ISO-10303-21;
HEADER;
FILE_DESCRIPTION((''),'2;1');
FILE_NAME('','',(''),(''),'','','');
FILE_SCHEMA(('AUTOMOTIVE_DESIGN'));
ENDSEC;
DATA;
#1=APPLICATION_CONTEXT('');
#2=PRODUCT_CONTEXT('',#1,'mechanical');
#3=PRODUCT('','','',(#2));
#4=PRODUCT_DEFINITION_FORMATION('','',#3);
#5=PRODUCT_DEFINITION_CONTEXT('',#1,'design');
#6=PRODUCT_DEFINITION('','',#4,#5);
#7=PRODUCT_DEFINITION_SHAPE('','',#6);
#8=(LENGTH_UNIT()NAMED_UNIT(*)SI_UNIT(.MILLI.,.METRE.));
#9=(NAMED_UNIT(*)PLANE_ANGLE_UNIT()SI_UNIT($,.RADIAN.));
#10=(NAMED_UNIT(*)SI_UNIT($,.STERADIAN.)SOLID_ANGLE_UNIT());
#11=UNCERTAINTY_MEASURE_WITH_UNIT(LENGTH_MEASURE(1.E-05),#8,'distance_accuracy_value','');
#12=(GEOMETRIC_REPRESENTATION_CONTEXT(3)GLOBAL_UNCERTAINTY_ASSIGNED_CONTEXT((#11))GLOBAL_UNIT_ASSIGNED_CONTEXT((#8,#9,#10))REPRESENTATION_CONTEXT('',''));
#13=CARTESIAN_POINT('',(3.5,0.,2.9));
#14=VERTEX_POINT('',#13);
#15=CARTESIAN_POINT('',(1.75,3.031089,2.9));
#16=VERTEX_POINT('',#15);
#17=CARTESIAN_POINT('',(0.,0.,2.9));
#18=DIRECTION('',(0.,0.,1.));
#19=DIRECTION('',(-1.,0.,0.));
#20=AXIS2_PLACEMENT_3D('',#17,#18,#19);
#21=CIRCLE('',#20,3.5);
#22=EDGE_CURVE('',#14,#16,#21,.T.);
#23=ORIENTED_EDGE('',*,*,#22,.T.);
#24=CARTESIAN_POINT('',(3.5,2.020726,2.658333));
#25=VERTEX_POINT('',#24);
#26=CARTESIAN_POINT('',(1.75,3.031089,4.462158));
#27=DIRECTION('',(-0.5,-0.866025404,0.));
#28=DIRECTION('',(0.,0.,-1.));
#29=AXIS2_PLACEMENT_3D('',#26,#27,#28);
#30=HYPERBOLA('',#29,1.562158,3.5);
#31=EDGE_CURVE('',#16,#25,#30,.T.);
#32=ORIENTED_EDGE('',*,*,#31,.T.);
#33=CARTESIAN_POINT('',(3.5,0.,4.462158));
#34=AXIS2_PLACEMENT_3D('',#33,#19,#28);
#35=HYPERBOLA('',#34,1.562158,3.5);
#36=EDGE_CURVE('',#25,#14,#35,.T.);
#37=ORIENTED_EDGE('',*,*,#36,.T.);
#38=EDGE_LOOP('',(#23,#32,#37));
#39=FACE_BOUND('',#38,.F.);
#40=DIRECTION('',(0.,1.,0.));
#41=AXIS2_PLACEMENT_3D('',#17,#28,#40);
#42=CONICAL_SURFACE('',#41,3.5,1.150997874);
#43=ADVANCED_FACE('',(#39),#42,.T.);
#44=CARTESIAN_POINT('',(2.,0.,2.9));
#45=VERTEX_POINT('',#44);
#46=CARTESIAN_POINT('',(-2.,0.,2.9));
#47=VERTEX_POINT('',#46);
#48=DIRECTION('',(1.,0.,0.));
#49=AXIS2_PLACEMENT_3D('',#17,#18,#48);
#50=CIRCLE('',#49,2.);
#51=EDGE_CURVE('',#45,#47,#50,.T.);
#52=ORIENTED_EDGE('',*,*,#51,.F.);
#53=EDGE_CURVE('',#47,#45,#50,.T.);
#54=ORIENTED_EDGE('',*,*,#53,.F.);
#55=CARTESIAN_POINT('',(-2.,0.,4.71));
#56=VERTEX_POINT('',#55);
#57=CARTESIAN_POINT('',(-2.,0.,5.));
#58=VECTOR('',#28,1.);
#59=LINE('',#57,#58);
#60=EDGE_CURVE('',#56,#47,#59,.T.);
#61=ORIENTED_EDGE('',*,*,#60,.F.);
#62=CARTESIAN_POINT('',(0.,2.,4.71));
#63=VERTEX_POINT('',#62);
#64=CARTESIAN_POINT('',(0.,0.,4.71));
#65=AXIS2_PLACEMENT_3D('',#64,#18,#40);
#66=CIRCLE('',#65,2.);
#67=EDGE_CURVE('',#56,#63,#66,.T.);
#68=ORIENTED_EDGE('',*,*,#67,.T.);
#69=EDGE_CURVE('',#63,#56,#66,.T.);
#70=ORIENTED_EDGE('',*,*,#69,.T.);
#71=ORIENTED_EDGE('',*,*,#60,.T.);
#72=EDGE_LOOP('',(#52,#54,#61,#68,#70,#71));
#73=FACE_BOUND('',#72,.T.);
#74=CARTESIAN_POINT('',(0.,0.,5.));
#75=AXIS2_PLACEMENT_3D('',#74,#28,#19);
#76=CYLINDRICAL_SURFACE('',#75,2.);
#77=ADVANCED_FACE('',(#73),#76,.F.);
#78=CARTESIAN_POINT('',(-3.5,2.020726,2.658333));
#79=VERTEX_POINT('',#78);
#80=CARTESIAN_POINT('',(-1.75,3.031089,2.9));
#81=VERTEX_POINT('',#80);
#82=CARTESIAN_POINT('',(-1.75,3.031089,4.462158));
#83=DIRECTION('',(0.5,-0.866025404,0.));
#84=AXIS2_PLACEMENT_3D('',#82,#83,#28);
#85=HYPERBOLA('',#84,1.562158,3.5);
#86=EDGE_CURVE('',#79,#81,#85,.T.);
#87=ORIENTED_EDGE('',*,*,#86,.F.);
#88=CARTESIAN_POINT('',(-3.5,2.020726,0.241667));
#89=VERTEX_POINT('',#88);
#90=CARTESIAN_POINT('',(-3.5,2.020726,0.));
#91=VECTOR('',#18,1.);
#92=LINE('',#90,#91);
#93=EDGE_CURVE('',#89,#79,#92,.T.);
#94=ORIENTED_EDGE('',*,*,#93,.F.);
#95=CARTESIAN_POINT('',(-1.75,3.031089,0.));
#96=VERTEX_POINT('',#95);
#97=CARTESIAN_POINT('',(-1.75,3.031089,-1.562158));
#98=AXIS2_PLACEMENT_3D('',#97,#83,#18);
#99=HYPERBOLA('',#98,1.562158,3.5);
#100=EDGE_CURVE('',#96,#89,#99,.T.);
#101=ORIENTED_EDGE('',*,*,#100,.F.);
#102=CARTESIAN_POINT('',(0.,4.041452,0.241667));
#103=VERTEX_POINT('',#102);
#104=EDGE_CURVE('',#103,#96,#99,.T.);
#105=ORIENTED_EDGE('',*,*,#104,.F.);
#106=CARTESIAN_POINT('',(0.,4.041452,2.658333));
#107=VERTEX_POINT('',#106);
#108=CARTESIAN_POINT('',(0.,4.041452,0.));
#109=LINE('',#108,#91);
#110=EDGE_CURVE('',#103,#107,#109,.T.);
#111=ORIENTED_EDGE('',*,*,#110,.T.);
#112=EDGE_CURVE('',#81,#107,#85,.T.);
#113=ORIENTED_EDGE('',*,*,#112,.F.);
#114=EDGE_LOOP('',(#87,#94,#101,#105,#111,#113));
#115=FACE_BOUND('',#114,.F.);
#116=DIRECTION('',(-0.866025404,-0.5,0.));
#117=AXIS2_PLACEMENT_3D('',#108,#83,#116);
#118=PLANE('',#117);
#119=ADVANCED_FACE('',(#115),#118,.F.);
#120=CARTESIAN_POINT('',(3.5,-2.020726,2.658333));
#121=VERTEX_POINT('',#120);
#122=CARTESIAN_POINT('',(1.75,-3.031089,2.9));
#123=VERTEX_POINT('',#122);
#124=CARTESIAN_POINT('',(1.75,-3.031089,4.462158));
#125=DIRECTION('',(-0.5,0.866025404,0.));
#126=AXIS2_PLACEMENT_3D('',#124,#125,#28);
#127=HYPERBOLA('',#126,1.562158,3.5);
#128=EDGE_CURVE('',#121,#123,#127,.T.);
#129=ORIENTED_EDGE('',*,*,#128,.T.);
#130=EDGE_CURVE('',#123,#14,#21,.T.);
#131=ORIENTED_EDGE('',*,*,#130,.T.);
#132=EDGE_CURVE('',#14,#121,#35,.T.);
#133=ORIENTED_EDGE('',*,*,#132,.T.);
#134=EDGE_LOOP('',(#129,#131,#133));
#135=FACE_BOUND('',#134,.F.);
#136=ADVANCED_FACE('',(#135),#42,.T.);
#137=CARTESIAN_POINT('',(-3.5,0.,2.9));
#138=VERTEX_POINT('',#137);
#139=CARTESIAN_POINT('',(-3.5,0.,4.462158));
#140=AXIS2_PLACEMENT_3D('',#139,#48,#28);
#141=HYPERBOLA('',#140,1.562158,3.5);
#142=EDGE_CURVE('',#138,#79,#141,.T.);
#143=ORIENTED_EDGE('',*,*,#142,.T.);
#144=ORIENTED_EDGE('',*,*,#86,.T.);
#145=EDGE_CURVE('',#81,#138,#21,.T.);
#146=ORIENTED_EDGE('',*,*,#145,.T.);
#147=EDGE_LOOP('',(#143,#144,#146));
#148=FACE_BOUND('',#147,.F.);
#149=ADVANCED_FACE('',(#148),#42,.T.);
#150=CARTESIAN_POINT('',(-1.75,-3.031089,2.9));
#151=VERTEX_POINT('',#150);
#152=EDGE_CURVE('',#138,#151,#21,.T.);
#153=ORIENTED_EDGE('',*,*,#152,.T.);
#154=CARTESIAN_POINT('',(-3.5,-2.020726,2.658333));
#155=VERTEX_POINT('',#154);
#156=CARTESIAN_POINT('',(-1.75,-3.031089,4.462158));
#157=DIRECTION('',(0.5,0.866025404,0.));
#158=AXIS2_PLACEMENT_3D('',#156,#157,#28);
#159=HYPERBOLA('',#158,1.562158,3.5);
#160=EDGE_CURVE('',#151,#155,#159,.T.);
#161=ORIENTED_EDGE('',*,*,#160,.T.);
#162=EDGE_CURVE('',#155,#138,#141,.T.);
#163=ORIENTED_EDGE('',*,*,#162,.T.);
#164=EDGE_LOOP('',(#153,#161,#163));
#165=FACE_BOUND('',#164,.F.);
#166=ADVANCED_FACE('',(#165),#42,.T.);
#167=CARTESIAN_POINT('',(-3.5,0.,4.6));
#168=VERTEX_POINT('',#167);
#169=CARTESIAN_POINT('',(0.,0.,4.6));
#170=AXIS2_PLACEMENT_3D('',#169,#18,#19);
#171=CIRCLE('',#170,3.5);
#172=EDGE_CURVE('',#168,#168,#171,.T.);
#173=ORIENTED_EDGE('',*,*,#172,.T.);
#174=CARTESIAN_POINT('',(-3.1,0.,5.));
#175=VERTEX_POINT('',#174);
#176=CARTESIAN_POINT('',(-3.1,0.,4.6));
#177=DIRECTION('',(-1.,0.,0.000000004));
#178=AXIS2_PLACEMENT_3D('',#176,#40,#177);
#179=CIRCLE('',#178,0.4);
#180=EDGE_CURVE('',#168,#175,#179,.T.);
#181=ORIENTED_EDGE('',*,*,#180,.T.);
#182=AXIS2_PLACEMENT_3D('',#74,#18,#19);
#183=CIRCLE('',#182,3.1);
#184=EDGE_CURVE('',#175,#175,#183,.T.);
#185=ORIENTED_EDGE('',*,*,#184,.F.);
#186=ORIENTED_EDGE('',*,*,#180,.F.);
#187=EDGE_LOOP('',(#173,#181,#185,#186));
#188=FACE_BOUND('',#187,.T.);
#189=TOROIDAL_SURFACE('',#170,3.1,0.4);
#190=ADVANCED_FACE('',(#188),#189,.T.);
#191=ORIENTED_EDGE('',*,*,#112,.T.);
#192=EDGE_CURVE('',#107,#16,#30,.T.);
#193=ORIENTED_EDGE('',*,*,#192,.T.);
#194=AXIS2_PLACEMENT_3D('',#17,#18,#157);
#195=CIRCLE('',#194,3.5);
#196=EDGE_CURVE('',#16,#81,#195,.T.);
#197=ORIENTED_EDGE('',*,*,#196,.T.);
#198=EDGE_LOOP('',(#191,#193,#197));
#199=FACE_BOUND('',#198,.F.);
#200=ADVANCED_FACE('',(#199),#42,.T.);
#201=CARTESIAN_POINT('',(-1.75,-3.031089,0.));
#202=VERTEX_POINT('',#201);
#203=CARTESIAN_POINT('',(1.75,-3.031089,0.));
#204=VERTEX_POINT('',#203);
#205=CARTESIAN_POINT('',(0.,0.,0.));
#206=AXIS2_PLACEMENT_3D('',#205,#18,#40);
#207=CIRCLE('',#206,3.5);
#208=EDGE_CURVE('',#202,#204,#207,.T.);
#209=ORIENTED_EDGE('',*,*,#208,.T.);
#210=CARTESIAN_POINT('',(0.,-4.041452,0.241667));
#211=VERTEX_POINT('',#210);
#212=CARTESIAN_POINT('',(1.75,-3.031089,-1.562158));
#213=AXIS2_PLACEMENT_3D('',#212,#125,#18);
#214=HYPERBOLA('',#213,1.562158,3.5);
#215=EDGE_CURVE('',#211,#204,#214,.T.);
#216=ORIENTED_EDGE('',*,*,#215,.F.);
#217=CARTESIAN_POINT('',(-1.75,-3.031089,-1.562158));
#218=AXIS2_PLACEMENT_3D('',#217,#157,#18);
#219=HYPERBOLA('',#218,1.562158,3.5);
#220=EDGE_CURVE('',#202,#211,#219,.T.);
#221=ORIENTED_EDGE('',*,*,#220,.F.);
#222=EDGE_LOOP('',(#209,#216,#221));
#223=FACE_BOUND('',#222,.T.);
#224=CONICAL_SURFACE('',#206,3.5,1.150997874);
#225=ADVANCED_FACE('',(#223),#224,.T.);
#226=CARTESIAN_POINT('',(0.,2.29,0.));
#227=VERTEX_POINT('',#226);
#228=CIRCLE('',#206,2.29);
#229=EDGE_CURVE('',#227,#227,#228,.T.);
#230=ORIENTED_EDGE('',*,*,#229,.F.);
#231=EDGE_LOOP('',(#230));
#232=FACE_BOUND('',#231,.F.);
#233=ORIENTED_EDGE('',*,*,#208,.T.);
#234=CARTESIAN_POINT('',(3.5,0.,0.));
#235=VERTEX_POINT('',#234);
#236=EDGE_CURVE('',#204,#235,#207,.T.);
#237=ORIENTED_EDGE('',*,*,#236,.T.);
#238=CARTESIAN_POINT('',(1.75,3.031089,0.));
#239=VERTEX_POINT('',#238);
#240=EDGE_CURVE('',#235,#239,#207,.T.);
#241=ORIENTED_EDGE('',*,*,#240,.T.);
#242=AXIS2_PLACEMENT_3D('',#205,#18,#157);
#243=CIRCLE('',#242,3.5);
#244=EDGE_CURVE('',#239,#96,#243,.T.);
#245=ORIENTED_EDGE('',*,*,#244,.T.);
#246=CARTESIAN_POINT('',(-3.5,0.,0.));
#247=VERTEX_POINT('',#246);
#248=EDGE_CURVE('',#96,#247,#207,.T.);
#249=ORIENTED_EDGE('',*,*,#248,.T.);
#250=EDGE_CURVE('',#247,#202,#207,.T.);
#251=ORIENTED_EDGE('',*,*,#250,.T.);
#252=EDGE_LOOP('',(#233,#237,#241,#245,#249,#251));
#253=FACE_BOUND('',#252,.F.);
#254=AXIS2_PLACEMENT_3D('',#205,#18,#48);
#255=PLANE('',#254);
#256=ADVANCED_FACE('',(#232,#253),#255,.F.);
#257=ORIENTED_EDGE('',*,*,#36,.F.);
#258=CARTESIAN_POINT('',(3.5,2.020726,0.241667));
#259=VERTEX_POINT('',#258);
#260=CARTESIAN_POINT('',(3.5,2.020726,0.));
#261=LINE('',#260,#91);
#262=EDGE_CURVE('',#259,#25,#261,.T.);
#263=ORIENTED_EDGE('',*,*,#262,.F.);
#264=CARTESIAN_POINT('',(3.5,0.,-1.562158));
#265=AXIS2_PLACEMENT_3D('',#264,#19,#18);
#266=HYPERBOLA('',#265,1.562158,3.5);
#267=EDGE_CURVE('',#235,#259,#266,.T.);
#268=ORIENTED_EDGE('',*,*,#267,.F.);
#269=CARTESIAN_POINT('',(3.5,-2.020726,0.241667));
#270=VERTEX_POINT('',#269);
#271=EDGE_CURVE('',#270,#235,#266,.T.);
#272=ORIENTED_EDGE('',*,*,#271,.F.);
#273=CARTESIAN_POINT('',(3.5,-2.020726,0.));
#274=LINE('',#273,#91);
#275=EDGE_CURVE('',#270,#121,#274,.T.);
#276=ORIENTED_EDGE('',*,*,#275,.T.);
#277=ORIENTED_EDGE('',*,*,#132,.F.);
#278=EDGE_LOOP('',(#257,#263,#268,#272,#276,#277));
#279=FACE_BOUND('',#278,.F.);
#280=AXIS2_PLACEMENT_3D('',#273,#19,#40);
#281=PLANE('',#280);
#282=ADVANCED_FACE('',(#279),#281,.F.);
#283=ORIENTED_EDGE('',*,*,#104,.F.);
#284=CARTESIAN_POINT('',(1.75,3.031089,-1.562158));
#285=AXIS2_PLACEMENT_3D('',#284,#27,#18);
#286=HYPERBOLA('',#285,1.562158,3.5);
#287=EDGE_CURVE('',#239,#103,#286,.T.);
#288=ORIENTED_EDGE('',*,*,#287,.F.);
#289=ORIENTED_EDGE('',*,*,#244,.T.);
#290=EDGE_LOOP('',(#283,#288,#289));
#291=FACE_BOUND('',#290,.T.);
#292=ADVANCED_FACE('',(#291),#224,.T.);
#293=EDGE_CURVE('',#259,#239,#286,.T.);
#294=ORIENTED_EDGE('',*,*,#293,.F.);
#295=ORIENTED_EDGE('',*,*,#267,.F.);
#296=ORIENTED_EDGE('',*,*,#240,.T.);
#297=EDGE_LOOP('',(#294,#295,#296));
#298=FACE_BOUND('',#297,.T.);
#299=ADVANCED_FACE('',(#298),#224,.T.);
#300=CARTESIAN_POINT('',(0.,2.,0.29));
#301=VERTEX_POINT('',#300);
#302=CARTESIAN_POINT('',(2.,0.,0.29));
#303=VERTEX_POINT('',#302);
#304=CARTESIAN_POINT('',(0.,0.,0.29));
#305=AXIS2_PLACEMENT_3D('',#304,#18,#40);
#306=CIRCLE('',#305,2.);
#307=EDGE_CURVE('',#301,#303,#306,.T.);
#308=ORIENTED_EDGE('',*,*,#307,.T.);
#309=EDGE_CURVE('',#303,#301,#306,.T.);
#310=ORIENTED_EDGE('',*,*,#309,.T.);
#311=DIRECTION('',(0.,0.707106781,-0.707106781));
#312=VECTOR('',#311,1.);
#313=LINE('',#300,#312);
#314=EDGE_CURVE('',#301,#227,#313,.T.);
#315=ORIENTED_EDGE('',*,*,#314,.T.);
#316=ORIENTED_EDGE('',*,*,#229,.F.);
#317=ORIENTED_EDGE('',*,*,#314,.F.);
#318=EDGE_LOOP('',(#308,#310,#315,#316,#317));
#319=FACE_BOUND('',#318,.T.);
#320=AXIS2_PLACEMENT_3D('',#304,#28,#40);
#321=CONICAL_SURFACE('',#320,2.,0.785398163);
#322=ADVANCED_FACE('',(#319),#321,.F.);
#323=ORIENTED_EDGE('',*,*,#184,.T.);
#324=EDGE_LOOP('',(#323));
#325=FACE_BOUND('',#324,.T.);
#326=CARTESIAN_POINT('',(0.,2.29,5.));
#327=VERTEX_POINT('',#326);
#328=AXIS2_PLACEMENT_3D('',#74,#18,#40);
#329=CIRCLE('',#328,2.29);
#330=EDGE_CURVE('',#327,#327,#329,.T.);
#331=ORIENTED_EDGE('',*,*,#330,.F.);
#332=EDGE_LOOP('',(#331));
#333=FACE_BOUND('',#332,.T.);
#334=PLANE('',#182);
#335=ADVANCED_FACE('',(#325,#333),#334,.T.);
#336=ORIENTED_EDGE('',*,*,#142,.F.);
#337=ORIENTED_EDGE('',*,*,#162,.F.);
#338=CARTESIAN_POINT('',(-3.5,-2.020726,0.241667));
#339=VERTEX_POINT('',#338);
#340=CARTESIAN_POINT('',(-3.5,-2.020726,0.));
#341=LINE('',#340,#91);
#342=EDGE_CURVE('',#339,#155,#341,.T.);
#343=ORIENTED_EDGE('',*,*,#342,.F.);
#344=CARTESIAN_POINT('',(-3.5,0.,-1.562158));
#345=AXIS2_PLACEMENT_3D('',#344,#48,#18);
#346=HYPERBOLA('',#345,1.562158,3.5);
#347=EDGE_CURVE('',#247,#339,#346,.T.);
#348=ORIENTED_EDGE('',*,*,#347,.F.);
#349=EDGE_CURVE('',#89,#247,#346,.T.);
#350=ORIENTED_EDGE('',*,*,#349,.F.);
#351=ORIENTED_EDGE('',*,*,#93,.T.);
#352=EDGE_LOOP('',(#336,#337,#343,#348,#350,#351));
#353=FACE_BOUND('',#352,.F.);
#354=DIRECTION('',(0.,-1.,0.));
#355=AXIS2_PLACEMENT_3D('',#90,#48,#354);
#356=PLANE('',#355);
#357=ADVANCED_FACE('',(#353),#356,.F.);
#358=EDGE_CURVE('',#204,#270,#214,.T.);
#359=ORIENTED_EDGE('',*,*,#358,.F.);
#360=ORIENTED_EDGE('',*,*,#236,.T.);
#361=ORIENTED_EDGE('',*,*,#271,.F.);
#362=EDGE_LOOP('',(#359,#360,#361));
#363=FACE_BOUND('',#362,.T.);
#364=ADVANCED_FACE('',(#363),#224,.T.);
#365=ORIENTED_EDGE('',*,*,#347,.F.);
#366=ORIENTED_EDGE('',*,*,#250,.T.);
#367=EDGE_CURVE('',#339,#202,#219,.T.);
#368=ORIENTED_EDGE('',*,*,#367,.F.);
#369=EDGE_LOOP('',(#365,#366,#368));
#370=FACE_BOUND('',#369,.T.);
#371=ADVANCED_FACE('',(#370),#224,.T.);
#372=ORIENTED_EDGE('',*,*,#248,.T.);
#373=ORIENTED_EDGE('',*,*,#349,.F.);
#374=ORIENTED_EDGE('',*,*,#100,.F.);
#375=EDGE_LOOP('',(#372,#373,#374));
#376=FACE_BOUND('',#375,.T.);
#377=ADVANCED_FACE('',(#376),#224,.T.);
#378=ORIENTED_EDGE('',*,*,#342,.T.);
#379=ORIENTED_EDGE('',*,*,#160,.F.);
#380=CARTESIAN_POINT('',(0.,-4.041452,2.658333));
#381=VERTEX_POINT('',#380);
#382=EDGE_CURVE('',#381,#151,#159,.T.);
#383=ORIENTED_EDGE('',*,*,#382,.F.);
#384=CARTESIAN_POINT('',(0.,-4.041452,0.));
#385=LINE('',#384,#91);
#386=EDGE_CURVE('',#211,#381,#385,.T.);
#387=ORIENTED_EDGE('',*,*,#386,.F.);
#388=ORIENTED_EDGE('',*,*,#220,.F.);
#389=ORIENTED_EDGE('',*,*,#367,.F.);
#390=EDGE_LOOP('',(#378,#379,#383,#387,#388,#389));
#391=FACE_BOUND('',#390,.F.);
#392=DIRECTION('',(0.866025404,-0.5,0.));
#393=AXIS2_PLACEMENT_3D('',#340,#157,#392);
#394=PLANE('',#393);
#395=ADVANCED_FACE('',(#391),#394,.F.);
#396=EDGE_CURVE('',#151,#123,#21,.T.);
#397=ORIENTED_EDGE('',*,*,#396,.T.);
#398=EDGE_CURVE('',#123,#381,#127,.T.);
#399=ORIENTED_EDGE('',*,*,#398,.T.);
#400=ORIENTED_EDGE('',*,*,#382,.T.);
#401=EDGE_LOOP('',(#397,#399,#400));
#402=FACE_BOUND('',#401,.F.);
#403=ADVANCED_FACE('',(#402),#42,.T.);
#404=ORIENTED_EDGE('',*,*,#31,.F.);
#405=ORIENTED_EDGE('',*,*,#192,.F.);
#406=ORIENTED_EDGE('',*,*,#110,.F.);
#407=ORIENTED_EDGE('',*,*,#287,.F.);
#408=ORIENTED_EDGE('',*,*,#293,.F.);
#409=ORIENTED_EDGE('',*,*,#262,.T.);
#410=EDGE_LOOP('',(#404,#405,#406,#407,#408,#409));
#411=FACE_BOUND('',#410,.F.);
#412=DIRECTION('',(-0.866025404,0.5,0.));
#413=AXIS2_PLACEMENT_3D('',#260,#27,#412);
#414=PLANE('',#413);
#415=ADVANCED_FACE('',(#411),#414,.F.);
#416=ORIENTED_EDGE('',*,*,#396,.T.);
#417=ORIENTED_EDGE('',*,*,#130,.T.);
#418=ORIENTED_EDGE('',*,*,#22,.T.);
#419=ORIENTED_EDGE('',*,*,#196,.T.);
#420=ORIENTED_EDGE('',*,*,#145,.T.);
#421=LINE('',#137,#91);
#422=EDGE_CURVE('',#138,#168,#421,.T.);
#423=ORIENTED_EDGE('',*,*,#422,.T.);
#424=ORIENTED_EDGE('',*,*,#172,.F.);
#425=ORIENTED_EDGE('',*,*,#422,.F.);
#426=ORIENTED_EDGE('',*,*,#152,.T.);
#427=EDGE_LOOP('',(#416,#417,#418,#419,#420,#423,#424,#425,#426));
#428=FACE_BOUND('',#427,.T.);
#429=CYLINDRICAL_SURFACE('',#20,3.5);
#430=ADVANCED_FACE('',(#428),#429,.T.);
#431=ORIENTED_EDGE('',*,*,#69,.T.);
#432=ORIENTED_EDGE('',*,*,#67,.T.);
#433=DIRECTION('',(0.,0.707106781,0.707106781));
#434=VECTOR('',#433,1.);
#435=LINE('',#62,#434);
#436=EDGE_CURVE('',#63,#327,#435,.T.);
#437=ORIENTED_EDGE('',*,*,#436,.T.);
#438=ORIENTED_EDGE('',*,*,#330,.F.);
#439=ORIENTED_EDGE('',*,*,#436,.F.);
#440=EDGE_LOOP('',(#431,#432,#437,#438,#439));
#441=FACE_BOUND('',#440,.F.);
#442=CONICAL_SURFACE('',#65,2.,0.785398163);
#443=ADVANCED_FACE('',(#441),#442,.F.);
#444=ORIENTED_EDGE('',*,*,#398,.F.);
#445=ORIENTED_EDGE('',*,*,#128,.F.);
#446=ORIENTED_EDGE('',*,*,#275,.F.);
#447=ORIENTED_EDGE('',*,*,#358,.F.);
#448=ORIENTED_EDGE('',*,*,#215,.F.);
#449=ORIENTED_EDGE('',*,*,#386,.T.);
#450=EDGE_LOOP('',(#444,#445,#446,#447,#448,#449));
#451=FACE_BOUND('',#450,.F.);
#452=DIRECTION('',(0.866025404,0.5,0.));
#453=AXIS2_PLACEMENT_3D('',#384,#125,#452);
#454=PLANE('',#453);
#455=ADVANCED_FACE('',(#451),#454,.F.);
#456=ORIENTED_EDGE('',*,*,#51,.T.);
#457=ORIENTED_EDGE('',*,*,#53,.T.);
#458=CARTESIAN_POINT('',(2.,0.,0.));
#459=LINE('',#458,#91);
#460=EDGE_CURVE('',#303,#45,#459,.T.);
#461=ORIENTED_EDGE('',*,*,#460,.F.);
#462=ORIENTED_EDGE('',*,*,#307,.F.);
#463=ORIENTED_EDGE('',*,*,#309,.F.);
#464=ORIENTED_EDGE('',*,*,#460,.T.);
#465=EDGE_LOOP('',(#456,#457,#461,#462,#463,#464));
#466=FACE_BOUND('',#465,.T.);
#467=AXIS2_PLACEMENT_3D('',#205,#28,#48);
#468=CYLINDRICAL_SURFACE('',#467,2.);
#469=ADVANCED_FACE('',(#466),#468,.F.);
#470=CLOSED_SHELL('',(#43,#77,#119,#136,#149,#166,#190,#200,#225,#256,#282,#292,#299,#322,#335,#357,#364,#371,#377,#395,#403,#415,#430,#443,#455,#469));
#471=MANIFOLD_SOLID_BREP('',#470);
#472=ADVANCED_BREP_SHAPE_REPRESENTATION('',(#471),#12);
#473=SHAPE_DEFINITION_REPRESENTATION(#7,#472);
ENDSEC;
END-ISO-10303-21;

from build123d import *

# Parameters (mm, degrees)
SKETCH1_R           = 2
BOSS_EXTRUDE1_DEPTH = 2.9


with BuildPart() as part:
    # Sketch1 → Boss-Extrude1 (new body)
    with BuildSketch(Plane.XY):
        Polygon((0, -4.041451884), (3.5, -2.020725942), (3.5, 2.020725942), (0, 4.041451884), (-3.5, 2.020725942), (-3.5, -2.020725942), align=None)
        Circle(SKETCH1_R, mode=Mode.SUBTRACT)
    extrude(amount=BOSS_EXTRUDE1_DEPTH)

    # Sketch3 → Revolve1 (revolve)
    with BuildSketch(Plane(origin=(0, 0, 0), x_dir=(0, 0, -1), z_dir=(0, 1, 0))):
        with BuildLine():
            Line((-2.9, 3.5), (-4.6, 3.5))
            ThreePointArc((-4.6, 3.5), (-4.882842712, 3.382842712), (-5, 3.1))
            Line((-5, 3.1), (-5, 2))
            Line((-5, 2), (-2.9, 2))
            Line((-2.9, 2), (-2.9, 3.5))
        make_face()
    revolve(axis=Axis((0, 0, 0), (0, 0, 1)))

    # Sketch2 → Cut-Revolve1 (revolve, cut)
    with BuildSketch(Plane(origin=(0, 0, 0), x_dir=(0, 0, -1), z_dir=(1, 0, 0))):
        Polygon((-2.9, 4.041451884), (-2.9, 3.5), (-2.658333333, 4.041451884), align=None)
        Polygon((-0.241666667, 4.041451884), (0, 4.041451884), (0, 3.5), align=None)
        Polygon((-5, 2), (-4.71, 2), (-5, 2.29), align=None)
        Polygon((0, 2), (-0.29, 2), (0, 2.29), align=None)
    revolve(axis=Axis((0, 0, 0), (0, 0, 1)), mode=Mode.SUBTRACT)


solid = part.part
